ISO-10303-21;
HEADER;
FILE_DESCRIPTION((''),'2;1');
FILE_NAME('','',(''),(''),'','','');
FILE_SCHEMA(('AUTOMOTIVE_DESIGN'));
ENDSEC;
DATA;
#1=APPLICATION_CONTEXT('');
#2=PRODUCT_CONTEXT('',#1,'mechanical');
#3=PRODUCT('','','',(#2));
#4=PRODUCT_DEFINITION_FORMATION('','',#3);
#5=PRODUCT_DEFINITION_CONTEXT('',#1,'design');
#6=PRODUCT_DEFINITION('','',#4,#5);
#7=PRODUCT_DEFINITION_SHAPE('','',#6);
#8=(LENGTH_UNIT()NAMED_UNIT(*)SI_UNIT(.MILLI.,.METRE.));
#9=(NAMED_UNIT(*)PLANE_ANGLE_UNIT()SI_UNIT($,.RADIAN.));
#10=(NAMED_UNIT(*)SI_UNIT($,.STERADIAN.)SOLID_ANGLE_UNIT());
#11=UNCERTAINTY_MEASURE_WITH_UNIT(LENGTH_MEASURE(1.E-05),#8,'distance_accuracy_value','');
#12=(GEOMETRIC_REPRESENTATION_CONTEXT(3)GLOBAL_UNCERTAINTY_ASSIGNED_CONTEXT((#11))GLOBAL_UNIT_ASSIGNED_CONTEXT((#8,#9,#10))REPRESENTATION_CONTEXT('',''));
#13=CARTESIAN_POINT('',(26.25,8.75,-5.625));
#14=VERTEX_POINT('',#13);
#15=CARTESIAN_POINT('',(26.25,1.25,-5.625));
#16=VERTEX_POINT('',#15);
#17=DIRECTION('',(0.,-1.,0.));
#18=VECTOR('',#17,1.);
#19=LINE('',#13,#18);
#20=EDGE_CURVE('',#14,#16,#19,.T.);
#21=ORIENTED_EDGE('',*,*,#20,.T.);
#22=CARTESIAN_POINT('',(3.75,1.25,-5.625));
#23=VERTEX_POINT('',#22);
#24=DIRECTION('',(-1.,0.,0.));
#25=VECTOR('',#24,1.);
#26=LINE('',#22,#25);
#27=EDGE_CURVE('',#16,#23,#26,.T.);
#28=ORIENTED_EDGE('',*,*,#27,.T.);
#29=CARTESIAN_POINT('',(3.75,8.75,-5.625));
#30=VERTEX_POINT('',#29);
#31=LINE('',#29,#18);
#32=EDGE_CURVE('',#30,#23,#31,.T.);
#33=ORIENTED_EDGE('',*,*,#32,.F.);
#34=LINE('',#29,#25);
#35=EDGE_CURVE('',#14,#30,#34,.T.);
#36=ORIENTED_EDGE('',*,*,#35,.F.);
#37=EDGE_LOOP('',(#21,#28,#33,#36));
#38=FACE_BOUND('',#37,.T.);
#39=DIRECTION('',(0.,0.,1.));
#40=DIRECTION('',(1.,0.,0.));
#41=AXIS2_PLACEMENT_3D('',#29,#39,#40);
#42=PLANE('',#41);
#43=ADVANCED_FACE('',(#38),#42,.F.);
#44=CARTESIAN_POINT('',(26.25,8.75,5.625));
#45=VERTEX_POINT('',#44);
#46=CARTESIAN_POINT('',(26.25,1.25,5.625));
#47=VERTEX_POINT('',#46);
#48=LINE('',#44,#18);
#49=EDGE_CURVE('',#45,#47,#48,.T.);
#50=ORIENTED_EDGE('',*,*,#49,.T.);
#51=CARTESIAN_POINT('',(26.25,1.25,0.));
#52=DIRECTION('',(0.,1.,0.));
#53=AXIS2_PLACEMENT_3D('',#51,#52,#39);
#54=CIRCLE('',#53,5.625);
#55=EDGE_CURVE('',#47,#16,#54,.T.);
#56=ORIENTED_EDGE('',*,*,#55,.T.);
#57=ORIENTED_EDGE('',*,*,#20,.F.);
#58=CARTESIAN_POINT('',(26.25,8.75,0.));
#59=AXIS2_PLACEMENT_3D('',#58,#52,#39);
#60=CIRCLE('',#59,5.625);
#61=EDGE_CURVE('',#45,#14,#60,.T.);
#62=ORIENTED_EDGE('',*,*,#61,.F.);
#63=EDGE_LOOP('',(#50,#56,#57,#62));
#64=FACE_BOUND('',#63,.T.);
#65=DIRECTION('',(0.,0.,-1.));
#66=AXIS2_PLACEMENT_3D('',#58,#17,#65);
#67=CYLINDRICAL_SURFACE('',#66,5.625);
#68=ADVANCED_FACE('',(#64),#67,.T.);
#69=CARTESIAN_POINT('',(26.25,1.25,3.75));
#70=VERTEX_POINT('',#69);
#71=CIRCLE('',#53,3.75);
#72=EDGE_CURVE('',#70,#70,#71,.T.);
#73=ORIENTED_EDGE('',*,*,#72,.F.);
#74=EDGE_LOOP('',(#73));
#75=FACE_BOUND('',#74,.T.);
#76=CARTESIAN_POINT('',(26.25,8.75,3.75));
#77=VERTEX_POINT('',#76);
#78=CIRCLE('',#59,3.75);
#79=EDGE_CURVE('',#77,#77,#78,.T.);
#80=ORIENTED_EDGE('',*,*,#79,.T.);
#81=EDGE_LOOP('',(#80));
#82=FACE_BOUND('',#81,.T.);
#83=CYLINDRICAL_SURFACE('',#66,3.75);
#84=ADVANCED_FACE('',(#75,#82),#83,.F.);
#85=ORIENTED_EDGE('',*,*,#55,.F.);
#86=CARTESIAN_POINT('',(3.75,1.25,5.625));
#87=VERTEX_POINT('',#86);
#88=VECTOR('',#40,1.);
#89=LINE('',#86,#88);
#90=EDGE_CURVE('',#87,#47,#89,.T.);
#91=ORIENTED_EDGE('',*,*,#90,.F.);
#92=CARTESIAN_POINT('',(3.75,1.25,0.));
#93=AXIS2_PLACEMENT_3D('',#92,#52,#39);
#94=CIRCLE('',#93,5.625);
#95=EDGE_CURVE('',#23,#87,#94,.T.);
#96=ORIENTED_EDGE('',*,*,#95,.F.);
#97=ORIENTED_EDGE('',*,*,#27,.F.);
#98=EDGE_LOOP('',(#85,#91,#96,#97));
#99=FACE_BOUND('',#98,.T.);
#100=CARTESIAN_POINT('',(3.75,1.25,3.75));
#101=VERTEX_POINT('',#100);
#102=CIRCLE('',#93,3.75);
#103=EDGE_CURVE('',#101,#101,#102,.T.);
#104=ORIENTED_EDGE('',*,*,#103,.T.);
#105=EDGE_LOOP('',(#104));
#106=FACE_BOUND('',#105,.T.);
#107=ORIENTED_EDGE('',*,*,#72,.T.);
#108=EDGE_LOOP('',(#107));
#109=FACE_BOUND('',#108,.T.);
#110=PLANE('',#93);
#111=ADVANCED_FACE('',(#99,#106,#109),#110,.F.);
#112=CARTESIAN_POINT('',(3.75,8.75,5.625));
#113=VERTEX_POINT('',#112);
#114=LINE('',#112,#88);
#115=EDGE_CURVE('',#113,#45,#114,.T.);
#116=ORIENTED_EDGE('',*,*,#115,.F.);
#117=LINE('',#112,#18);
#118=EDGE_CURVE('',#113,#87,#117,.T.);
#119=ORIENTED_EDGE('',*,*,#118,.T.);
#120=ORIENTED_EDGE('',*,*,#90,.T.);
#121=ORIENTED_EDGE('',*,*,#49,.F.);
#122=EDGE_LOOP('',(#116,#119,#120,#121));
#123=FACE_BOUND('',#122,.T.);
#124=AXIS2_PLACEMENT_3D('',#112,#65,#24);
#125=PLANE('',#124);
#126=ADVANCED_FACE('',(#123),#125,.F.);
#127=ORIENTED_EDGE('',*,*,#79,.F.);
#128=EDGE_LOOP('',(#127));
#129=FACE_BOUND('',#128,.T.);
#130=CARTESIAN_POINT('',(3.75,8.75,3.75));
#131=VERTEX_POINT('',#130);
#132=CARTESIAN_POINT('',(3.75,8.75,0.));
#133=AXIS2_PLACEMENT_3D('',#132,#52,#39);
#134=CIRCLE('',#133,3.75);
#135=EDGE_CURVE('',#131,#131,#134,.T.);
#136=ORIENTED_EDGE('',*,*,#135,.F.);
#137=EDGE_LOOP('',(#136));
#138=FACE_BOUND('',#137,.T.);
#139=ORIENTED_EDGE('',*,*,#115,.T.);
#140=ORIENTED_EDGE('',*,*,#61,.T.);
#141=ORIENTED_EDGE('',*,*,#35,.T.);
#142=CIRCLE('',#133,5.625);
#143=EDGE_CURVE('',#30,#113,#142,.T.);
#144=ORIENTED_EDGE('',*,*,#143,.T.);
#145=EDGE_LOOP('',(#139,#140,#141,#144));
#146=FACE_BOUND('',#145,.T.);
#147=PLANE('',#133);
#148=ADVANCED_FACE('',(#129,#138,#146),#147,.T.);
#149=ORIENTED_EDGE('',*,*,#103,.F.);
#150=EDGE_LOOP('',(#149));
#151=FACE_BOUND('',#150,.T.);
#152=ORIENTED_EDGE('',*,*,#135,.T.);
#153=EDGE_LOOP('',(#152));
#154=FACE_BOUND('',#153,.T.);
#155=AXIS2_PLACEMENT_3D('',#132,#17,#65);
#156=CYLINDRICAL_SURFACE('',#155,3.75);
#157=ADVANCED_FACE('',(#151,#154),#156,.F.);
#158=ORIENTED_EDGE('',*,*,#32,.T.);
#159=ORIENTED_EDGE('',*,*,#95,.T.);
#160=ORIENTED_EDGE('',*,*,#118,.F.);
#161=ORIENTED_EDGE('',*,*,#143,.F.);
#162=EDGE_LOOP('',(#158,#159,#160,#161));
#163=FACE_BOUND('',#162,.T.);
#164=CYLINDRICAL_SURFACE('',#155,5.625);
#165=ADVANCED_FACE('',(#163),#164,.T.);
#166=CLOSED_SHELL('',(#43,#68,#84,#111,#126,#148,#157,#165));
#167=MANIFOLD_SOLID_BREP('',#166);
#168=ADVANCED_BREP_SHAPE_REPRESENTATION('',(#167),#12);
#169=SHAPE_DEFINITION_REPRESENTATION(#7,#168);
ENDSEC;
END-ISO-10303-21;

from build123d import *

# Parameters (mm, degrees)
CROQUIS1_R              = 5
SALIENTE_EXTRUIR1_DEPTH = 10
ESCALA1_SCALE           = 0.75


with BuildPart() as part:
    # Croquis1 → Saliente-Extruir1 (new body)
    with BuildSketch(Plane(origin=(0, 0, 0), x_dir=(1, 0, 0), z_dir=(0, 1, 0))):
        with BuildLine():
            Line((0, 7.5), (30, 7.5))
            ThreePointArc((30, 7.5), (37.5, 0), (30, -7.5))
            Line((30, -7.5), (0, -7.5))
            ThreePointArc((0, -7.5), (-7.5, 0), (0, 7.5))
        make_face()
        with Locations(Location((0, 0, 0), (0, 0, 270))):
            Circle(CROQUIS1_R, mode=Mode.SUBTRACT)
        with Locations(Location((30, 0, 0), (0, 0, 270))):
            Circle(CROQUIS1_R, mode=Mode.SUBTRACT)
    extrude(amount=SALIENTE_EXTRUIR1_DEPTH)


with BuildPart() as part_1:
    # Escala1: scaled about (15, 5, 0)
    add(part.part.scale(ESCALA1_SCALE).moved(Location((3.75, 1.25, 0))))


solid = part_1.part
